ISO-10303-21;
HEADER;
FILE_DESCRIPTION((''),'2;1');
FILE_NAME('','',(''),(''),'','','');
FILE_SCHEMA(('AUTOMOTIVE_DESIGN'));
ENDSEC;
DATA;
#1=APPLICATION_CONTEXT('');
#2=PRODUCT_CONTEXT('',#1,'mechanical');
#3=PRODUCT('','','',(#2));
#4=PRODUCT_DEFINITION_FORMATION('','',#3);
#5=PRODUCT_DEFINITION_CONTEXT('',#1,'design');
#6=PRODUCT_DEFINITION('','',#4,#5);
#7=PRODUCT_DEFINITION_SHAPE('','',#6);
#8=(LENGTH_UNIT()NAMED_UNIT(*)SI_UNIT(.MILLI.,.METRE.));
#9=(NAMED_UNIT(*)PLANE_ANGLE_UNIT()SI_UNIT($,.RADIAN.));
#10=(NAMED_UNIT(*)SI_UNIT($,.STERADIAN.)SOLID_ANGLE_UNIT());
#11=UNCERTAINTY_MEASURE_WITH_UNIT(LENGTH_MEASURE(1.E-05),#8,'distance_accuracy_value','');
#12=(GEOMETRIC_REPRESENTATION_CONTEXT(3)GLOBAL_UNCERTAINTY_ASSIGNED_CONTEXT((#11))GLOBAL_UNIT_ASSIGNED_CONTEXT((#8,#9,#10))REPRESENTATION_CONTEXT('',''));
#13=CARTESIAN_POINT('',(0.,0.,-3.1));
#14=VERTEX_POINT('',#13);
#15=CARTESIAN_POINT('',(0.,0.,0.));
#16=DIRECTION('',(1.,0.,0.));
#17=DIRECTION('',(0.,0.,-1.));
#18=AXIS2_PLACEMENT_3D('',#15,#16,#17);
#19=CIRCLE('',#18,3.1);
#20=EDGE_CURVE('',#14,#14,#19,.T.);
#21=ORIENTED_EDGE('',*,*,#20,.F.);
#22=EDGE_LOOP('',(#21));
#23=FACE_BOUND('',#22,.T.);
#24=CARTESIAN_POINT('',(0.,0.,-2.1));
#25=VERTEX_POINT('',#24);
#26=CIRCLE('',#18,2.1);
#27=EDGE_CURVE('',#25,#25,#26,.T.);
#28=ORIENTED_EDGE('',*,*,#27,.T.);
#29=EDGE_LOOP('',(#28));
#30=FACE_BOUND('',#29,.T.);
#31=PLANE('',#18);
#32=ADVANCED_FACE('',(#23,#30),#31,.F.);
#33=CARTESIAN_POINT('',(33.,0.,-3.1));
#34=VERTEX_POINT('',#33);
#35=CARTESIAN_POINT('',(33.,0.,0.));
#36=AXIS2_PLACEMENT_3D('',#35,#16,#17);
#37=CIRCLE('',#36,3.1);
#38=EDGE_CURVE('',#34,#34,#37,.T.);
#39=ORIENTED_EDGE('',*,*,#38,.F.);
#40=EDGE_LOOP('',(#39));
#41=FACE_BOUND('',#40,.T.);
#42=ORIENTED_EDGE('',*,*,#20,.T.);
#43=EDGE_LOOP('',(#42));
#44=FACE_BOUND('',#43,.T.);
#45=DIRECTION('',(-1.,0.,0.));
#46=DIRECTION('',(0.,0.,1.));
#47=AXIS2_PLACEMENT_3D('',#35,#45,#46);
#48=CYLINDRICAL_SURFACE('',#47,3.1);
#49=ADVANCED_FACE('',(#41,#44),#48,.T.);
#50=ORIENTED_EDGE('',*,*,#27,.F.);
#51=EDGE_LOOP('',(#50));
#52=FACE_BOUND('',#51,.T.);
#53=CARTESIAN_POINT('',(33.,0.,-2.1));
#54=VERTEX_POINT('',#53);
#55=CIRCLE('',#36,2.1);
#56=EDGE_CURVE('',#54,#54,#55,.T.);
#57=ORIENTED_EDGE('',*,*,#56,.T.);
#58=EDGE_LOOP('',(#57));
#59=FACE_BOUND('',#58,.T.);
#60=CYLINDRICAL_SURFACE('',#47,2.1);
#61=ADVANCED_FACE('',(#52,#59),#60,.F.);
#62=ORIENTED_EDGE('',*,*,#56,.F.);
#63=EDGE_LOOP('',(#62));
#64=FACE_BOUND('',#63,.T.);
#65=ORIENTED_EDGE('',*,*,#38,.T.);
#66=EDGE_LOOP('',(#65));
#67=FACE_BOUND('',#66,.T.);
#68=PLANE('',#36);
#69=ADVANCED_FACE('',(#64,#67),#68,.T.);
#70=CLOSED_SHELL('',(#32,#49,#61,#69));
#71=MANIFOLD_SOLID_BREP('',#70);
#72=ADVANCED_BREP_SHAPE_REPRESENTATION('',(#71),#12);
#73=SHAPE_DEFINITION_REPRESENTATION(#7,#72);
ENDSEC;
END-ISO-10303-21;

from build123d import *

# Parameters (mm, degrees)
IZIM1_R                     = 3.1
IZIM1_R_2                   = 2.1
Y_KSEKLIK_EKSTR_ZYON1_DEPTH = 33


with BuildPart() as part:
    # Çizim1 → Yükseklik-Ekstrüzyon1 (new body)
    with BuildSketch(Plane.YZ):
        with Locations(Location((0, 0, 0), (0, 0, 270))):
            Circle(IZIM1_R)
        with Locations(Location((0, 0, 0), (0, 0, 270))):
            Circle(IZIM1_R_2, mode=Mode.SUBTRACT)
    extrude(amount=Y_KSEKLIK_EKSTR_ZYON1_DEPTH)


solid = part.part
